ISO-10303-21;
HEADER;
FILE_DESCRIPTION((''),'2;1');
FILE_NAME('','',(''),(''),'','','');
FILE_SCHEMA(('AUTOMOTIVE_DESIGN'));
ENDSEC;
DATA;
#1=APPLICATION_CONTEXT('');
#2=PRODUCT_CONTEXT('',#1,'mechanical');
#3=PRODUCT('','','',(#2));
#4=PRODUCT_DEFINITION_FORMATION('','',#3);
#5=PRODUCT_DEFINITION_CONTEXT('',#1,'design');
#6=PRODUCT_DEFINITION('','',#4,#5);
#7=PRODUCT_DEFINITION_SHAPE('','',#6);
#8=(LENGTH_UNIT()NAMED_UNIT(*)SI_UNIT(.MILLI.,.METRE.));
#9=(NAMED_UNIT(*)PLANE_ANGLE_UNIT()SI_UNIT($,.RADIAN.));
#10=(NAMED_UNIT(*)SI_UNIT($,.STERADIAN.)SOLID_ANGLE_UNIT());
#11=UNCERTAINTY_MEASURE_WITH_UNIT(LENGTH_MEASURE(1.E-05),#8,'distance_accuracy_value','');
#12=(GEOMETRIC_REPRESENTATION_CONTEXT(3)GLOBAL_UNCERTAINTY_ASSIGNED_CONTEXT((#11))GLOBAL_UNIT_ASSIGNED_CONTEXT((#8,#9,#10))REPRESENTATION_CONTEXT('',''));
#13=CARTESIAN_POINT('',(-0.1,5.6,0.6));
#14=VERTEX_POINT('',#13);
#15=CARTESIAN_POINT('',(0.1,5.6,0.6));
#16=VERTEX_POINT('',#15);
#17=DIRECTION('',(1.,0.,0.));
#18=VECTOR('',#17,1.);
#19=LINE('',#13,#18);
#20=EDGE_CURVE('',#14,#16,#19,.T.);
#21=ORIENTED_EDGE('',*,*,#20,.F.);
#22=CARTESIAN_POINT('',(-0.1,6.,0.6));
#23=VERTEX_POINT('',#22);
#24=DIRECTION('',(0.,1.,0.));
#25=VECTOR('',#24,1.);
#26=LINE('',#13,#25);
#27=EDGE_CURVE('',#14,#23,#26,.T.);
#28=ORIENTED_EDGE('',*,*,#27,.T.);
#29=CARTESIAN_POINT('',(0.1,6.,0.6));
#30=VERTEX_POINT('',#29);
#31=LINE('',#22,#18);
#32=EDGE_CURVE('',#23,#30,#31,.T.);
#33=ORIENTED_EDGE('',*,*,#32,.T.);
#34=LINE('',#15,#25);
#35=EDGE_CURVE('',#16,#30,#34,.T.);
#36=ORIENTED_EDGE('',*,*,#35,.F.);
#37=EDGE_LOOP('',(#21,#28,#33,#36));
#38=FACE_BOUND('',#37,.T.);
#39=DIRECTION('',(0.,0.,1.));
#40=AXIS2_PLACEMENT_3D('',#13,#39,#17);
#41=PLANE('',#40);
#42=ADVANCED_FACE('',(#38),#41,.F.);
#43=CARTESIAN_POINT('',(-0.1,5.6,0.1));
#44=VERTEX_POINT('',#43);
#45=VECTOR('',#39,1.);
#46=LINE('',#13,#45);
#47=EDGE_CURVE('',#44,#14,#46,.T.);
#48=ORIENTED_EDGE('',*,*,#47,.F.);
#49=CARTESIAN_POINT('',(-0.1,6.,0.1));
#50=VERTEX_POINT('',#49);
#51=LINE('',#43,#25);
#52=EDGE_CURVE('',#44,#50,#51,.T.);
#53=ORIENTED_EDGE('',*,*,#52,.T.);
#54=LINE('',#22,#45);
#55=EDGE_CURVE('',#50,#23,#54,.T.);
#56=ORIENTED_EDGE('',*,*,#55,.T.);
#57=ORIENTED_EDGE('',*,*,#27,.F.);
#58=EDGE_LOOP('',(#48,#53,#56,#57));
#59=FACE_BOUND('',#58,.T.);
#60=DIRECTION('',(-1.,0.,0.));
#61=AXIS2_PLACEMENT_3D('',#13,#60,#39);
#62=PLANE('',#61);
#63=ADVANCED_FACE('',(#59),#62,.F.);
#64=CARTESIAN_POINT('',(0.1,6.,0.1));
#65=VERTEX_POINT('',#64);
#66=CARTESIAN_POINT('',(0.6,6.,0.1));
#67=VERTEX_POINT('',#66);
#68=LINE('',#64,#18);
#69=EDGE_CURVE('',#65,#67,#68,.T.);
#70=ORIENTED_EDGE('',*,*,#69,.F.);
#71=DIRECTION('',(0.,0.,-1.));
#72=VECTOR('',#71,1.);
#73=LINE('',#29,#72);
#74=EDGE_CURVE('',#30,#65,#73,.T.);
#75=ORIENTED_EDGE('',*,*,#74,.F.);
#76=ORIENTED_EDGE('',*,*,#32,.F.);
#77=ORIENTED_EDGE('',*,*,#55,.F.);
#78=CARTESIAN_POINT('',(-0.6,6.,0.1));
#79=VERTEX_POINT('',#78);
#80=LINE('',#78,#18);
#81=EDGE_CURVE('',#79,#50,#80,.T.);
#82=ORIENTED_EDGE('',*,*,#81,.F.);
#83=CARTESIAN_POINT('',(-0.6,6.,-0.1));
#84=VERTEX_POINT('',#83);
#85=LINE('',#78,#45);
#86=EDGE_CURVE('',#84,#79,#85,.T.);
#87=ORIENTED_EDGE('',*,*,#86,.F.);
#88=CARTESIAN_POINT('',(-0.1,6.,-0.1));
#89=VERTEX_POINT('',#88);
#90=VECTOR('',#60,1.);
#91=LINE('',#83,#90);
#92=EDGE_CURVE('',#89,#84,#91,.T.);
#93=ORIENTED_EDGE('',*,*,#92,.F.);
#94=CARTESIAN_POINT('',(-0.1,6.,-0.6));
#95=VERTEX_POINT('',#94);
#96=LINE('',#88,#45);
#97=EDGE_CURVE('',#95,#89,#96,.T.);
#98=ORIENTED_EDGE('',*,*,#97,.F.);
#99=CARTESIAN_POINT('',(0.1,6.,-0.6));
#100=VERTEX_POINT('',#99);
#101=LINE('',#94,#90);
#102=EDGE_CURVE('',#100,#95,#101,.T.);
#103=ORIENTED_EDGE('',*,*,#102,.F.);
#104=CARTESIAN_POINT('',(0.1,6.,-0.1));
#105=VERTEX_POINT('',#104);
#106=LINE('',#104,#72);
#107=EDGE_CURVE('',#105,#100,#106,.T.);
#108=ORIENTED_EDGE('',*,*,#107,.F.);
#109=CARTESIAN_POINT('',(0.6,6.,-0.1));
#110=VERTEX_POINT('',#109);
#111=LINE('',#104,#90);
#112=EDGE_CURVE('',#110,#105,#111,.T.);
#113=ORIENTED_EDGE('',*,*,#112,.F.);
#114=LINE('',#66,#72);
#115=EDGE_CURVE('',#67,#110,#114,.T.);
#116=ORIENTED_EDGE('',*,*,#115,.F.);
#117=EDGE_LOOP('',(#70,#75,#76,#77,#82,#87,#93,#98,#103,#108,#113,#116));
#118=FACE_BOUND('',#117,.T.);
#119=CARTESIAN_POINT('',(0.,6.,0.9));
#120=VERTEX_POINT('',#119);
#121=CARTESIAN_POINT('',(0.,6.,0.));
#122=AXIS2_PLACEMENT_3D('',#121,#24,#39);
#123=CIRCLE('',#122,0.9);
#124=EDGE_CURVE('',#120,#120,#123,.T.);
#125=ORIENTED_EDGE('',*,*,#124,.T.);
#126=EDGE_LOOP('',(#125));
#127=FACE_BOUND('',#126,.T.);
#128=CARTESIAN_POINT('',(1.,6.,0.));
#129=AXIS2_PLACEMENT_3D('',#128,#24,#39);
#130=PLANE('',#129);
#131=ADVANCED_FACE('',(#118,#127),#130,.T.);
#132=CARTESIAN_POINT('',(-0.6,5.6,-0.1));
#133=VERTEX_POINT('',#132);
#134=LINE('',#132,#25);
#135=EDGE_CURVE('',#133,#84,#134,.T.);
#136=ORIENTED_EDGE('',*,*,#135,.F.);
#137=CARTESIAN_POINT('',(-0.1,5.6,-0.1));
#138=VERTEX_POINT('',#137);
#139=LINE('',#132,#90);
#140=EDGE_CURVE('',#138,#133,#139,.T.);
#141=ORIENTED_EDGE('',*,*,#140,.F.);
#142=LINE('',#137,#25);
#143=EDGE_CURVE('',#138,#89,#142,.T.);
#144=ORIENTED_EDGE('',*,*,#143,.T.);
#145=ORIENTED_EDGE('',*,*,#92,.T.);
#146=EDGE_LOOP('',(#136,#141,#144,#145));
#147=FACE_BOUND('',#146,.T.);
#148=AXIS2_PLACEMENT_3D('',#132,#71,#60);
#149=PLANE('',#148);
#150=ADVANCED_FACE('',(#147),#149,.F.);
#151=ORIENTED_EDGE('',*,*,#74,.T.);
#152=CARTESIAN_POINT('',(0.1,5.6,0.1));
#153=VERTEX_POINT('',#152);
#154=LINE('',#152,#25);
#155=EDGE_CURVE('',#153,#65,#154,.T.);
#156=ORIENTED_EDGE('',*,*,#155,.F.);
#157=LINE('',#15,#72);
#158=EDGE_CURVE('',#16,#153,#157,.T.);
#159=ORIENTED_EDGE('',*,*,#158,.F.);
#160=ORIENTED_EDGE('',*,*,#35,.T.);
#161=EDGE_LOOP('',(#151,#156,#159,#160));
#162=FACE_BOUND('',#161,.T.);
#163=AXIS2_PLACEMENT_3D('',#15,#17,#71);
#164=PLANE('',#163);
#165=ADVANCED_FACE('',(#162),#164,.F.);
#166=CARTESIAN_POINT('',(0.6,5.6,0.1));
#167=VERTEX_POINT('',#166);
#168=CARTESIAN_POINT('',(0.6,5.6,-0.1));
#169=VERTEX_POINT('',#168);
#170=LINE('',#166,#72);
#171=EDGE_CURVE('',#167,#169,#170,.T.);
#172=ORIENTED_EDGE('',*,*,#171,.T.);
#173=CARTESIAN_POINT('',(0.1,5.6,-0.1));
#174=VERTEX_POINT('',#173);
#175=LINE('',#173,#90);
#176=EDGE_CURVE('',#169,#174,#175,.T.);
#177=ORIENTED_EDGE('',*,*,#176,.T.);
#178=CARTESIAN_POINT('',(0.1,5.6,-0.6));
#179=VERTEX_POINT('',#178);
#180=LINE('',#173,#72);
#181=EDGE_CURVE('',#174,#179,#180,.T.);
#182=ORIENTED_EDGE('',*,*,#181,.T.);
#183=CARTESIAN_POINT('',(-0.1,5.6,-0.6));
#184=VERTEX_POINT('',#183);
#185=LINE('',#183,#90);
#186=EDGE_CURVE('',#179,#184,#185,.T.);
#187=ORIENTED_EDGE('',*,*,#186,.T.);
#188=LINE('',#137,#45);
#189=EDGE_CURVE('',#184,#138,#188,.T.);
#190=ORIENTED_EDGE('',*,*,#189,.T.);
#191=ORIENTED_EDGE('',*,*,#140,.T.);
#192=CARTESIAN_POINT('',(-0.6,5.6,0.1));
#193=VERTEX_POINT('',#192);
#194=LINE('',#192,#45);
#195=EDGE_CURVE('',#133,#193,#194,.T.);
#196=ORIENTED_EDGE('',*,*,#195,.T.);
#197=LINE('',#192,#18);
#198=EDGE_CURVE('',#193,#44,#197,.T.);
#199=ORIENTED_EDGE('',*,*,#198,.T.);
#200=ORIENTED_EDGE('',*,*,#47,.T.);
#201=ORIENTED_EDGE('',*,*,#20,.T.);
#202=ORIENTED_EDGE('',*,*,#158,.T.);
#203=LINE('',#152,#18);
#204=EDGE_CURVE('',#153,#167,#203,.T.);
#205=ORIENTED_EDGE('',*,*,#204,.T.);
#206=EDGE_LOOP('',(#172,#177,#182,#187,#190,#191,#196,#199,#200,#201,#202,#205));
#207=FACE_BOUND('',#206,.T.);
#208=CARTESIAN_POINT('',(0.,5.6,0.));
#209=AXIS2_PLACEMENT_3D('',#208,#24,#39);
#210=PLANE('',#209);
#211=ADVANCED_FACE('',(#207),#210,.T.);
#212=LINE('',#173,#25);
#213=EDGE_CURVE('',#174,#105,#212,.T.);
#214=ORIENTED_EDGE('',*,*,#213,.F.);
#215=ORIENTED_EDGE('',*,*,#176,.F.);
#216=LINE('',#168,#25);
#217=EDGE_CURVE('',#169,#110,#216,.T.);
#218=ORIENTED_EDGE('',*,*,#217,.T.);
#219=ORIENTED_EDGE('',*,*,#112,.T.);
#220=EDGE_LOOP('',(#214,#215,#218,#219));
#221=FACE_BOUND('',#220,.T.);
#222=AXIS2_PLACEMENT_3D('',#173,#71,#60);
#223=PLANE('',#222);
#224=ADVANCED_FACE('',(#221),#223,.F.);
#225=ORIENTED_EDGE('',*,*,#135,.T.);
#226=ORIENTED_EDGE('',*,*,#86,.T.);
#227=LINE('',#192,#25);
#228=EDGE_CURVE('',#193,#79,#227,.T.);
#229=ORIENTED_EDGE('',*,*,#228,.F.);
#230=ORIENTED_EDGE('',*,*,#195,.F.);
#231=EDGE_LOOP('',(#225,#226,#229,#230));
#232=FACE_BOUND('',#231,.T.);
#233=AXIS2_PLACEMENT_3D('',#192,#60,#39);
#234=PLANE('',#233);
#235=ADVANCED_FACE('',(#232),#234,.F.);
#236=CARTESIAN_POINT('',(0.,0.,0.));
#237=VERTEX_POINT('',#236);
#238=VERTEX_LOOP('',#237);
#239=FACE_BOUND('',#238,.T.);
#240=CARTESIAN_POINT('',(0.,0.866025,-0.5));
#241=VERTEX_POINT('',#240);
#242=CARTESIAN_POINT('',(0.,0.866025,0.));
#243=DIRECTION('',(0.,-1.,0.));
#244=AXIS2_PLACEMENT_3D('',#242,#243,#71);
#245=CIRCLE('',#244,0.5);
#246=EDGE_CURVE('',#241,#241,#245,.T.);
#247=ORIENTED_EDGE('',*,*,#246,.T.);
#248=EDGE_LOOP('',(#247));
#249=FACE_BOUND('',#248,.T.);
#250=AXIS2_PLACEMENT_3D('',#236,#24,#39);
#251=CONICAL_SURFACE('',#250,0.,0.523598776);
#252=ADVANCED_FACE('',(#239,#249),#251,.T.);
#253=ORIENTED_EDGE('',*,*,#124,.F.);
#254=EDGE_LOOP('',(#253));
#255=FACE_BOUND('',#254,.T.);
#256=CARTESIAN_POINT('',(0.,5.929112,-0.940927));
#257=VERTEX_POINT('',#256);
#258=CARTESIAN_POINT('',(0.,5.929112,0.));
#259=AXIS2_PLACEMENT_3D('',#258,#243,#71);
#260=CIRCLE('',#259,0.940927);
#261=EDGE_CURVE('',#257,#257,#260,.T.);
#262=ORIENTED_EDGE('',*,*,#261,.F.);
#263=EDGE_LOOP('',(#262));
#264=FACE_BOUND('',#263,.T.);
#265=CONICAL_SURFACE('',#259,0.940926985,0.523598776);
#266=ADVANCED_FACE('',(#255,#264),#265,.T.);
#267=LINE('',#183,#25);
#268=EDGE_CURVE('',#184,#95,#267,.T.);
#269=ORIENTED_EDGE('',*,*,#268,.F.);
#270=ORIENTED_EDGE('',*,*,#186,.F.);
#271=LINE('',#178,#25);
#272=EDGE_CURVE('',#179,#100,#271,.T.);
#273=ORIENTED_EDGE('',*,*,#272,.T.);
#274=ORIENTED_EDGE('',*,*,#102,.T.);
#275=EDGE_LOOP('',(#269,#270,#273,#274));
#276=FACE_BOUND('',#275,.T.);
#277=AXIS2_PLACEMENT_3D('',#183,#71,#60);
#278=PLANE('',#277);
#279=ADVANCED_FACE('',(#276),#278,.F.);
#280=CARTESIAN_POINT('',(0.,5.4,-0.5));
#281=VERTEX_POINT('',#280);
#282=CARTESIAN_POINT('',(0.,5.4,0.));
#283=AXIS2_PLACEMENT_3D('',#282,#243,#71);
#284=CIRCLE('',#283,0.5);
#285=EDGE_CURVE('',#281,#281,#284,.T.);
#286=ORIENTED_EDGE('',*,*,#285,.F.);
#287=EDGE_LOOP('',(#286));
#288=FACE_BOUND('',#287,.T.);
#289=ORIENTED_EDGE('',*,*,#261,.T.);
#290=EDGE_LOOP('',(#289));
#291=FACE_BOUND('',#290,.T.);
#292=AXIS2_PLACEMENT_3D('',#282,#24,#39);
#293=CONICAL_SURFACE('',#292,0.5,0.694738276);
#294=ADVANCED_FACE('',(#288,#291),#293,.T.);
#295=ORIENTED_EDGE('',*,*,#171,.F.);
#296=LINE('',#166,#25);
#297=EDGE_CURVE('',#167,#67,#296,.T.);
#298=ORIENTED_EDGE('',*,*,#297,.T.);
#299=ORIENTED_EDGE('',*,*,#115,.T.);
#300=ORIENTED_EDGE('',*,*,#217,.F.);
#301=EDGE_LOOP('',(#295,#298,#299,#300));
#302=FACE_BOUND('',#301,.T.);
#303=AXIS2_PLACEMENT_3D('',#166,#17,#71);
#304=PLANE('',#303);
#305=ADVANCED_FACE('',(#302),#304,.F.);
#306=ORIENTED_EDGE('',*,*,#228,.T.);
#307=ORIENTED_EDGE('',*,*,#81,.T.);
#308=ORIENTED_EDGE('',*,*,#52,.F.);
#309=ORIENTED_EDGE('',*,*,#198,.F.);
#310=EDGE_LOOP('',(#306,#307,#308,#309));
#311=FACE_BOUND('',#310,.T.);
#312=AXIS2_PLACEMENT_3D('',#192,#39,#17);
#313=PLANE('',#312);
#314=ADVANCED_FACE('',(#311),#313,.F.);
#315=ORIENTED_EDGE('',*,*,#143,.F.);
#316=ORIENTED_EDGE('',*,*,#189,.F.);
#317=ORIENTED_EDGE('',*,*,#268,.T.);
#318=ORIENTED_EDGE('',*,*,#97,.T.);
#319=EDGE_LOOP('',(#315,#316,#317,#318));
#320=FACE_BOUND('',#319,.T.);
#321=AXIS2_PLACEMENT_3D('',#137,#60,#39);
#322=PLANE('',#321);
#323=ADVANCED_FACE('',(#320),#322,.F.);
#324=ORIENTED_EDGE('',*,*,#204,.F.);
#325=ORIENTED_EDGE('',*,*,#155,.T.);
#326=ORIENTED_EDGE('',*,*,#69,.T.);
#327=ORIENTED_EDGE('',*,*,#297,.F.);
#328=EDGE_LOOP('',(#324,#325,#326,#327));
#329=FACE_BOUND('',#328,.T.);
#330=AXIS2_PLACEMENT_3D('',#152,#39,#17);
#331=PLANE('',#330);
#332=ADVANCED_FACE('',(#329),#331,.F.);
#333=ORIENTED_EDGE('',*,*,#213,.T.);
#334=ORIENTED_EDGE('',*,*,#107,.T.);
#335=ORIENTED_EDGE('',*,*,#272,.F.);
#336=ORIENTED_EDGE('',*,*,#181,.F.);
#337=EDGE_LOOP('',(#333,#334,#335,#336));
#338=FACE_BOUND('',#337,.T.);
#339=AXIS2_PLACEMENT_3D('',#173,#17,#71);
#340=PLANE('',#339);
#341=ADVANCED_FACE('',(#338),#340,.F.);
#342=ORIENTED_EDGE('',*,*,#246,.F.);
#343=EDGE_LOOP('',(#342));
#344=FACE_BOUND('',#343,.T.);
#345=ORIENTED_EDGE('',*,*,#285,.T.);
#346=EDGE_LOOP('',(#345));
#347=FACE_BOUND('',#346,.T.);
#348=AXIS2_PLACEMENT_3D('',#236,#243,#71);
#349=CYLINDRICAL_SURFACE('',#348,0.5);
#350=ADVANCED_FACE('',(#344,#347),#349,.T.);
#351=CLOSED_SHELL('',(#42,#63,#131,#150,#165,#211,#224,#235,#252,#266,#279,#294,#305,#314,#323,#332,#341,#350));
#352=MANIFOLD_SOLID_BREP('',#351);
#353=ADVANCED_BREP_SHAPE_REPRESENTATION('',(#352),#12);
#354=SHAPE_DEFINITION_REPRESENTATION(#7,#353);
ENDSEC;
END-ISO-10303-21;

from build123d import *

# Parameters (mm, degrees)
CHAMFER_1_SIZE      = 0.1
CHAMFER_1_SIZE2     = 0.092274999
CUT_EXTRUDE_1_DEPTH = 0.4


with BuildPart() as part:
    # 草图1 → 旋转1 (revolve)
    with BuildSketch(Plane.XY, mode=Mode.PRIVATE) as revolve_1_sk:
        Polygon((0, 0), (0.5, 0.866025404), (0.5, 5.4), (1, 6), (0, 6), align=None)
    revolve(revolve_1_sk.sketch.rotate(Axis((0, 0, 0), (0, 1, 0)), 90), axis=Axis((0, 0, 0), (0, 1, 0)))

    # 倒角1
    chamfer_1_edges = [part.edges().sort_by_distance(p)[0] for p in [
        (0, 6, 1),
    ]]
    chamfer_1_side = [part.faces().sort_by_distance(p)[0] for p in [
        (0, 6, 0),
    ]]
    chamfer(chamfer_1_edges, length=CHAMFER_1_SIZE, length2=CHAMFER_1_SIZE2, reference=chamfer_1_side[0])

    # 草图2 → 切除-拉伸1 (cut)
    with BuildSketch(Plane(origin=(0, 6, 0), x_dir=(1, 0, 0), z_dir=(0, 1, 0))):
        Polygon((-0.6, -0.1), (-0.1, -0.1), (-0.1, -0.6), (0.1, -0.6), (0.1, -0.1), (0.6, -0.1), (0.6, 0.1), (0.1, 0.1), (0.1, 0.6), (-0.1, 0.6), (-0.1, 0.1), (-0.6, 0.1), align=None)
    extrude(amount=-CUT_EXTRUDE_1_DEPTH, mode=Mode.SUBTRACT)


solid = part.part
